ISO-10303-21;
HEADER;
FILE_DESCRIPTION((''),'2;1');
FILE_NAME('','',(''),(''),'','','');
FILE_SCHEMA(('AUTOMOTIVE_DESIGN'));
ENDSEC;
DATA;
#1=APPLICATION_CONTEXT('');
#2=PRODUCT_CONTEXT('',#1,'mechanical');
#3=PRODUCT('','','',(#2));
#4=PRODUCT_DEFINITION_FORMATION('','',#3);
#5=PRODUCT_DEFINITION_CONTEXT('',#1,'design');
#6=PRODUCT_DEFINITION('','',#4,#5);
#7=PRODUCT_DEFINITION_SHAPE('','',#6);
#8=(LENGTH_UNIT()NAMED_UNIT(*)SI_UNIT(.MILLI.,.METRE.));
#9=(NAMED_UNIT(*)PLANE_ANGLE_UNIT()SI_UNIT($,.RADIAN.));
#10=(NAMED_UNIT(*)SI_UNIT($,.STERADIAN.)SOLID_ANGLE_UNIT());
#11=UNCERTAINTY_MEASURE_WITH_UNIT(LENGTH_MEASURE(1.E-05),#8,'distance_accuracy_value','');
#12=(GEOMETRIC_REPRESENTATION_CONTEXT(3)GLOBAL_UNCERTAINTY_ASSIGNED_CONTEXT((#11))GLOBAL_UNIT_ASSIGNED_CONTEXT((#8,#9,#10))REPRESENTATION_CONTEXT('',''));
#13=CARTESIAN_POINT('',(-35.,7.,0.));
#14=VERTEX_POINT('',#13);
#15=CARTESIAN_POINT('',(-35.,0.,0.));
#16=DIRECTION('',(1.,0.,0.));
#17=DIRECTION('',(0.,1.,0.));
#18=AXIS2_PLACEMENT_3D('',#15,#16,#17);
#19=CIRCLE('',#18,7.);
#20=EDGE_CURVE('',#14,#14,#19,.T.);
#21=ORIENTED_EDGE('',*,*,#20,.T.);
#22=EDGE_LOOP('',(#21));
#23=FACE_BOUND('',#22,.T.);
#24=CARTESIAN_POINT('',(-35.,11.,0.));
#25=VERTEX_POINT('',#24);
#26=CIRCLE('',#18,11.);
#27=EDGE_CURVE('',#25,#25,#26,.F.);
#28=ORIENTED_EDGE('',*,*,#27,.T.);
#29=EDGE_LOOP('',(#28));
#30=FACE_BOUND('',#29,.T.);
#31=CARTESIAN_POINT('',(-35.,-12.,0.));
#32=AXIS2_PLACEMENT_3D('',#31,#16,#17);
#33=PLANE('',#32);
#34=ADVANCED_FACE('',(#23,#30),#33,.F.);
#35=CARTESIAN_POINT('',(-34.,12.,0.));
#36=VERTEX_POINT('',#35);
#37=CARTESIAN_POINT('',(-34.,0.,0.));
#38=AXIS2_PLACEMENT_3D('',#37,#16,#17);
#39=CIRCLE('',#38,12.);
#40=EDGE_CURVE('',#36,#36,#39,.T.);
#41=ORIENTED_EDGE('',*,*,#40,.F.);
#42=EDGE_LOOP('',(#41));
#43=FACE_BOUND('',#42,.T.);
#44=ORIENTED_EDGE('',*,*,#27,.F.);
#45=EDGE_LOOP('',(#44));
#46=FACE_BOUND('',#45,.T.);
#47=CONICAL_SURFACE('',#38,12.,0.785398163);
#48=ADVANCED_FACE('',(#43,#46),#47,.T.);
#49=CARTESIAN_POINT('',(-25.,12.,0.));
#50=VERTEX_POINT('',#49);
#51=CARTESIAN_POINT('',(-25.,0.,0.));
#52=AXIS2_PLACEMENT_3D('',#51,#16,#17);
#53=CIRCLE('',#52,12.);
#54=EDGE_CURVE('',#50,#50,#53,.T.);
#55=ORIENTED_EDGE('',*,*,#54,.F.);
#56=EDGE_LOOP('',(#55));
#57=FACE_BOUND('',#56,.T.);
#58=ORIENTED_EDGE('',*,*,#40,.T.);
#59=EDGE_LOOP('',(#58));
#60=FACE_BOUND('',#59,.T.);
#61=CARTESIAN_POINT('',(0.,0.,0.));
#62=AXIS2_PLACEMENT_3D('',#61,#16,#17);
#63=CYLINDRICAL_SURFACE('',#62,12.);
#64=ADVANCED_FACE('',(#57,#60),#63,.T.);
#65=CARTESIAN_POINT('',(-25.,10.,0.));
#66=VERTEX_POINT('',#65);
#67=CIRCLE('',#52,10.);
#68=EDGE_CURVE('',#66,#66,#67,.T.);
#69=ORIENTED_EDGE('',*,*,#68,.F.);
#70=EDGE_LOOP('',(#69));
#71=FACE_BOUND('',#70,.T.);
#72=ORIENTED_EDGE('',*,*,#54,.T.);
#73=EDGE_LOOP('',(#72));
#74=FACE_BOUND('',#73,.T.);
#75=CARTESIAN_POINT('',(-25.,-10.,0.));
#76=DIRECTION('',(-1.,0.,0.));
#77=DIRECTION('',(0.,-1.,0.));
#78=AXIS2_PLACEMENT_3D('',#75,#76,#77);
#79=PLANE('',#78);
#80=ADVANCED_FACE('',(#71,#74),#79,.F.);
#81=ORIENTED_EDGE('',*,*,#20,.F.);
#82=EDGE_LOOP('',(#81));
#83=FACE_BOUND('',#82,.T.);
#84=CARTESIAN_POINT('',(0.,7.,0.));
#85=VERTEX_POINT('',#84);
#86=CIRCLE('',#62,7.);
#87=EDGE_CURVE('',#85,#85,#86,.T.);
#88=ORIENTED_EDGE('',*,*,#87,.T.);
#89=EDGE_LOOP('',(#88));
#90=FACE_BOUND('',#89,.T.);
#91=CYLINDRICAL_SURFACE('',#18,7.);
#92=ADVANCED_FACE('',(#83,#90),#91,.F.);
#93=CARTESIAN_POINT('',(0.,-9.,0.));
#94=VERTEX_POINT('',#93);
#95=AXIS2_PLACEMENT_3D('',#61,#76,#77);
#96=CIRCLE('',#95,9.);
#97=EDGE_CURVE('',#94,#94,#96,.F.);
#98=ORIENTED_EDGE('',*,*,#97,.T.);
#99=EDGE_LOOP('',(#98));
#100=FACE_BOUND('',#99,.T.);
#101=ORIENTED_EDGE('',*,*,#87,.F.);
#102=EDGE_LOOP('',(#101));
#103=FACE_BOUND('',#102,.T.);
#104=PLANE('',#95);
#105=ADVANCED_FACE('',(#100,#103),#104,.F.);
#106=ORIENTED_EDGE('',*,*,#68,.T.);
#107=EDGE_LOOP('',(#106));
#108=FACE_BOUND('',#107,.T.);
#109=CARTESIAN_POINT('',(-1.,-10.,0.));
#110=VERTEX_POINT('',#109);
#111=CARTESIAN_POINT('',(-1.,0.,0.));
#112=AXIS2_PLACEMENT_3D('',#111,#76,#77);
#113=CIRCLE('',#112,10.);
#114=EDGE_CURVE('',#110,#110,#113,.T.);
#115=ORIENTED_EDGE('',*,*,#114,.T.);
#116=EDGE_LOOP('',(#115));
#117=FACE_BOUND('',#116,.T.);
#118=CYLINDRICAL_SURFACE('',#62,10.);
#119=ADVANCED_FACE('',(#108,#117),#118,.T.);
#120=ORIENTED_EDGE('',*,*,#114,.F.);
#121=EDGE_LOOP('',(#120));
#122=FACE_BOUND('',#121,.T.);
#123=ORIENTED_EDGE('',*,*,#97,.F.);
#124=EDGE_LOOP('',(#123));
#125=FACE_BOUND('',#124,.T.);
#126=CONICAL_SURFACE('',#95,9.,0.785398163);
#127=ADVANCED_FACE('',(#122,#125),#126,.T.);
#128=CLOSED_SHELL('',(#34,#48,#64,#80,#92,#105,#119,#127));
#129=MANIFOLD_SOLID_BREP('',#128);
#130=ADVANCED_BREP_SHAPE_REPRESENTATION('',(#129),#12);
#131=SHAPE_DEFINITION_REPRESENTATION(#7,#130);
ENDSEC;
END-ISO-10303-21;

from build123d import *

# Parameters (mm, degrees)
SKETCH3_R          = 7
CUT_EXTRUDE1_DEPTH = 39.897300678
CHAMFER1_SIZE      = 1


with BuildPart() as part:
    # Sketch1 → Revolve1 (revolve)
    with BuildSketch(Plane.XY, mode=Mode.PRIVATE) as revolve1_sk:
        Polygon((0, 0), (0, -10), (-25, -10), (-25, -12), (-35, -12), (-35, 0), align=None)
    revolve(revolve1_sk.sketch.rotate(Axis((0, 0, 0), (-1, 0, 0)), 180), axis=Axis((0, 0, 0), (-1, 0, 0)))

    # Sketch3 → Cut-Extrude1 (cut, through all)
    with BuildSketch(Plane(origin=(0, 0, 0), x_dir=(0, 0, -1), z_dir=(1, 0, 0))):
        with Locations(Location((0, 0, 0), (0, 0, 90))):
            Circle(SKETCH3_R)
    extrude(amount=-CUT_EXTRUDE1_DEPTH, mode=Mode.SUBTRACT)

    # Chamfer1
    chamfer1_edges = [part.edges().sort_by_distance(p)[0] for p in [
        (-35, -12, 0),
        (0, -10, 0),
    ]]
    chamfer(chamfer1_edges, length=CHAMFER1_SIZE)


solid = part.part
